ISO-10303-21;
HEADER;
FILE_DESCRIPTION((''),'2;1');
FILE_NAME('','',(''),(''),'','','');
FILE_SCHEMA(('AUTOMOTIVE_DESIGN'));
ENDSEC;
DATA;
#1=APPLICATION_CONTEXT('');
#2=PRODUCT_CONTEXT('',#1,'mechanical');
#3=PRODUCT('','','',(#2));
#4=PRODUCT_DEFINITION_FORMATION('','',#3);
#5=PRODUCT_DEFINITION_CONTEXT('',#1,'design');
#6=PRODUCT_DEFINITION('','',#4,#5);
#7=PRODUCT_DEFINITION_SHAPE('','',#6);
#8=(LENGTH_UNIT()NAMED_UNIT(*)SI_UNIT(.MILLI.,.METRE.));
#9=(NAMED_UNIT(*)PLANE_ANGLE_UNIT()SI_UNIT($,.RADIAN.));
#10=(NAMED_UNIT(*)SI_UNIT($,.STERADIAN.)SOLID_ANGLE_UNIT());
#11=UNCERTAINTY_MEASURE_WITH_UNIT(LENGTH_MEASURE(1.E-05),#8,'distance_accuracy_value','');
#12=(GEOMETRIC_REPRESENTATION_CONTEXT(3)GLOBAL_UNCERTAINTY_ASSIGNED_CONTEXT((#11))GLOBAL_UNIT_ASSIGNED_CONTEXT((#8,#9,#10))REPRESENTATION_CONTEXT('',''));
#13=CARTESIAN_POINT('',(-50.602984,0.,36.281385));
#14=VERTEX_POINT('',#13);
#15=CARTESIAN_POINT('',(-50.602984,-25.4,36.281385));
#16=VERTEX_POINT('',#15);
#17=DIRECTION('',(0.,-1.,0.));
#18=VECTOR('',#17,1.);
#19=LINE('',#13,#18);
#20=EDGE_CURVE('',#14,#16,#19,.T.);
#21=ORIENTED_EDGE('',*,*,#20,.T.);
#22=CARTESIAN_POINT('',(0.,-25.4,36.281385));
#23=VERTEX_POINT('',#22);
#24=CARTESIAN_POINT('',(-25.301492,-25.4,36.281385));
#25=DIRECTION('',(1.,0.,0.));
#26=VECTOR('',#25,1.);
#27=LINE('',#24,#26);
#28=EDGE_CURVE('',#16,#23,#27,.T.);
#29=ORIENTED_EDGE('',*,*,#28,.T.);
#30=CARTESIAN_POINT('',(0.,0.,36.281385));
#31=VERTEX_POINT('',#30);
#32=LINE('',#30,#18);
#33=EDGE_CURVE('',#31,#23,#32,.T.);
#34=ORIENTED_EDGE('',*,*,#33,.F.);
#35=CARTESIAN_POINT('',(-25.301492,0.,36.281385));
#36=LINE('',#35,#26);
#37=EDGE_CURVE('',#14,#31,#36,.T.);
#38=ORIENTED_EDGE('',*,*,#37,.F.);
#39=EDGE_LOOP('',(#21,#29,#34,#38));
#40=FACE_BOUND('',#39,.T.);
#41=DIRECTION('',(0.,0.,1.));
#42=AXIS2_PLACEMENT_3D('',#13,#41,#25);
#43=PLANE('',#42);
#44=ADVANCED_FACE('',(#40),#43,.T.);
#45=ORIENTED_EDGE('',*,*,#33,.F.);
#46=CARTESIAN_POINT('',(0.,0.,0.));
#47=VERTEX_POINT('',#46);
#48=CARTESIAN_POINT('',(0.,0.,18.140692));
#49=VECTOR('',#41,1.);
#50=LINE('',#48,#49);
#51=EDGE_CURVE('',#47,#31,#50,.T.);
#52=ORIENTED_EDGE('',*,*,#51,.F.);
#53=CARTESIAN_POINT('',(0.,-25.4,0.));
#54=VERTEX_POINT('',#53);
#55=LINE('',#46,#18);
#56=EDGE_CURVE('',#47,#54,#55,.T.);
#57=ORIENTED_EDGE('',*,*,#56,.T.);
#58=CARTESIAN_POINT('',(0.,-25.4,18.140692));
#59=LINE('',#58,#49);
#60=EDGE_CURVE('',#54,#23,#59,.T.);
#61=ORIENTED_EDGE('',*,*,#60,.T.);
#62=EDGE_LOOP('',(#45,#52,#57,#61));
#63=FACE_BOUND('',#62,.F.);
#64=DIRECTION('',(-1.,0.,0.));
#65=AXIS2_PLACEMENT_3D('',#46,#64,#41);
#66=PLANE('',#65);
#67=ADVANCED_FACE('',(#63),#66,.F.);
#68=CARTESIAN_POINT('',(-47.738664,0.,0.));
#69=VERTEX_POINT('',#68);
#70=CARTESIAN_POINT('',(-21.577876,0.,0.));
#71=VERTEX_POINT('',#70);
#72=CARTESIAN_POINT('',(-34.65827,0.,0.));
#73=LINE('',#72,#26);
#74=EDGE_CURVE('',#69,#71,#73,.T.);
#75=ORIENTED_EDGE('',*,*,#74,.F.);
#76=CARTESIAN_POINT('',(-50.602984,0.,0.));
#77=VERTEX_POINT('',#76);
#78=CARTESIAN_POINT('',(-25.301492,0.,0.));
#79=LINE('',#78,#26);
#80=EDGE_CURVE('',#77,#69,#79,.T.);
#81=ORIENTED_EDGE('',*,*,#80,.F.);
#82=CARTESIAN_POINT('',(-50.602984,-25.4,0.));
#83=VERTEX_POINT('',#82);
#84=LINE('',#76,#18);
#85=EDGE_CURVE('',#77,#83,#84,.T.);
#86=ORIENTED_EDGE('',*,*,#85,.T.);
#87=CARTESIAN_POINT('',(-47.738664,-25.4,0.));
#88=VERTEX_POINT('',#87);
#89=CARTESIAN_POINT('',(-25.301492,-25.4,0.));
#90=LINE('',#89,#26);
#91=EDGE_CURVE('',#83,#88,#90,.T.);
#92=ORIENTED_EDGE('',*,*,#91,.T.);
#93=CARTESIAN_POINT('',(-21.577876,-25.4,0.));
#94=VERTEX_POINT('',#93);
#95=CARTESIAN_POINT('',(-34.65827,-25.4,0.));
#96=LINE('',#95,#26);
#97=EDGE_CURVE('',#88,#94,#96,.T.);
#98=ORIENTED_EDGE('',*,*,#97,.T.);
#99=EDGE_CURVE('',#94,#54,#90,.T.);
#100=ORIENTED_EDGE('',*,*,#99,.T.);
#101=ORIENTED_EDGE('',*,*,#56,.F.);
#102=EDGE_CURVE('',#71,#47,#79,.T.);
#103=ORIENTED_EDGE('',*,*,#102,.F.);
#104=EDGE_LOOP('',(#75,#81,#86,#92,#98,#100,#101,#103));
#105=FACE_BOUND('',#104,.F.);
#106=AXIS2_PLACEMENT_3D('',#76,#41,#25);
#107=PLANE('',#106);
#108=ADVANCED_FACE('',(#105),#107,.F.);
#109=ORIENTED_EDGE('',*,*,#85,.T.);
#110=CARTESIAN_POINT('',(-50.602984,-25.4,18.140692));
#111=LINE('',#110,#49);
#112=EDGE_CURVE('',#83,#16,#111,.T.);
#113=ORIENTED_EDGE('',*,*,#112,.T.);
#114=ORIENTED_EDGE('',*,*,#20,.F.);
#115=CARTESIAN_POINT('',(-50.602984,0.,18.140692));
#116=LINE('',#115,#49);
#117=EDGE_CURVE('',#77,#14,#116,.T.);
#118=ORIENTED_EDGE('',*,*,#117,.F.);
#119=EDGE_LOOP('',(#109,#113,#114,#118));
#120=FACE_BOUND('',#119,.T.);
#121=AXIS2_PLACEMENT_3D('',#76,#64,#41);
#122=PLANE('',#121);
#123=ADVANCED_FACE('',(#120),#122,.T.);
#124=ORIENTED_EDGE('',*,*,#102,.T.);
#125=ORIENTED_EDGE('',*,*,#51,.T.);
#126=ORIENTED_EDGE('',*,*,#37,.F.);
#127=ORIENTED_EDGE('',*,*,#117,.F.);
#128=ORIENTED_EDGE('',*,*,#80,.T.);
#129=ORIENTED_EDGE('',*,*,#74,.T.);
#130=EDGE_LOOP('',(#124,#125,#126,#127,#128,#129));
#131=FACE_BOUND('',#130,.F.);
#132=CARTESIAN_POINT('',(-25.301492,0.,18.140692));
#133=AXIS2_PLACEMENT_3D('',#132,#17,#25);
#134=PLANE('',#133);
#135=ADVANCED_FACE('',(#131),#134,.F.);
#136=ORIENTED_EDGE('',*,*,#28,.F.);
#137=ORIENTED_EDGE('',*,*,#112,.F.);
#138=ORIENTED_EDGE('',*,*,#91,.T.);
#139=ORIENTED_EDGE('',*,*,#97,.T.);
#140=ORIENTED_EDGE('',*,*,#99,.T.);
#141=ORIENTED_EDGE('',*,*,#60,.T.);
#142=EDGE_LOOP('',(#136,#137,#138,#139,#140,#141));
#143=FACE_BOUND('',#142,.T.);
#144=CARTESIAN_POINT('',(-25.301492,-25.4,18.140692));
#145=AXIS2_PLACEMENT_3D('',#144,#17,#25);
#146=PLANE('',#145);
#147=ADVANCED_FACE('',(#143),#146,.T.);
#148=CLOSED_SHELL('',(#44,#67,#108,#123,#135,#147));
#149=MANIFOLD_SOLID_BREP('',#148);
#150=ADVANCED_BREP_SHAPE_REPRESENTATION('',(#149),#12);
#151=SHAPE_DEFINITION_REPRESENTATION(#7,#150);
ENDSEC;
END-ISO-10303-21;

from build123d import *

# Parameters (mm, degrees)
F0_W      = 50.6029836833
F0_H      = 36.2813845277
F1_DEPTH  = 25.4
F2_W      = 26.160787791
F2_H      = 17.9497376084
F1_FACE_W = 50.6029836833
F1_FACE_H = 36.2813845277
F3_DEPTH  = 25.4


with BuildPart() as f1:
    # F0 (on Front) → F1 (new body)
    with BuildSketch(Plane.XZ):
        with Locations((-25.3014918417, 18.1406922638)):
            Rectangle(F0_W, F0_H)
    extrude(amount=F1_DEPTH)

    # F2 (on Front) + F1_face (on face) → F3 (join)
    with BuildSketch(Plane.XZ):
        with Locations((-34.6582699567, 8.9748688042)):
            Rectangle(F2_W, F2_H)
    with BuildSketch(Plane(origin=(-25.3014918417, 0, 18.1406922638), x_dir=(1, 0, 0), z_dir=(0, 1, 0))):
        Rectangle(F1_FACE_W, F1_FACE_H)
    extrude(amount=F3_DEPTH, dir=(0, -1, 0))


solid = f1.part
